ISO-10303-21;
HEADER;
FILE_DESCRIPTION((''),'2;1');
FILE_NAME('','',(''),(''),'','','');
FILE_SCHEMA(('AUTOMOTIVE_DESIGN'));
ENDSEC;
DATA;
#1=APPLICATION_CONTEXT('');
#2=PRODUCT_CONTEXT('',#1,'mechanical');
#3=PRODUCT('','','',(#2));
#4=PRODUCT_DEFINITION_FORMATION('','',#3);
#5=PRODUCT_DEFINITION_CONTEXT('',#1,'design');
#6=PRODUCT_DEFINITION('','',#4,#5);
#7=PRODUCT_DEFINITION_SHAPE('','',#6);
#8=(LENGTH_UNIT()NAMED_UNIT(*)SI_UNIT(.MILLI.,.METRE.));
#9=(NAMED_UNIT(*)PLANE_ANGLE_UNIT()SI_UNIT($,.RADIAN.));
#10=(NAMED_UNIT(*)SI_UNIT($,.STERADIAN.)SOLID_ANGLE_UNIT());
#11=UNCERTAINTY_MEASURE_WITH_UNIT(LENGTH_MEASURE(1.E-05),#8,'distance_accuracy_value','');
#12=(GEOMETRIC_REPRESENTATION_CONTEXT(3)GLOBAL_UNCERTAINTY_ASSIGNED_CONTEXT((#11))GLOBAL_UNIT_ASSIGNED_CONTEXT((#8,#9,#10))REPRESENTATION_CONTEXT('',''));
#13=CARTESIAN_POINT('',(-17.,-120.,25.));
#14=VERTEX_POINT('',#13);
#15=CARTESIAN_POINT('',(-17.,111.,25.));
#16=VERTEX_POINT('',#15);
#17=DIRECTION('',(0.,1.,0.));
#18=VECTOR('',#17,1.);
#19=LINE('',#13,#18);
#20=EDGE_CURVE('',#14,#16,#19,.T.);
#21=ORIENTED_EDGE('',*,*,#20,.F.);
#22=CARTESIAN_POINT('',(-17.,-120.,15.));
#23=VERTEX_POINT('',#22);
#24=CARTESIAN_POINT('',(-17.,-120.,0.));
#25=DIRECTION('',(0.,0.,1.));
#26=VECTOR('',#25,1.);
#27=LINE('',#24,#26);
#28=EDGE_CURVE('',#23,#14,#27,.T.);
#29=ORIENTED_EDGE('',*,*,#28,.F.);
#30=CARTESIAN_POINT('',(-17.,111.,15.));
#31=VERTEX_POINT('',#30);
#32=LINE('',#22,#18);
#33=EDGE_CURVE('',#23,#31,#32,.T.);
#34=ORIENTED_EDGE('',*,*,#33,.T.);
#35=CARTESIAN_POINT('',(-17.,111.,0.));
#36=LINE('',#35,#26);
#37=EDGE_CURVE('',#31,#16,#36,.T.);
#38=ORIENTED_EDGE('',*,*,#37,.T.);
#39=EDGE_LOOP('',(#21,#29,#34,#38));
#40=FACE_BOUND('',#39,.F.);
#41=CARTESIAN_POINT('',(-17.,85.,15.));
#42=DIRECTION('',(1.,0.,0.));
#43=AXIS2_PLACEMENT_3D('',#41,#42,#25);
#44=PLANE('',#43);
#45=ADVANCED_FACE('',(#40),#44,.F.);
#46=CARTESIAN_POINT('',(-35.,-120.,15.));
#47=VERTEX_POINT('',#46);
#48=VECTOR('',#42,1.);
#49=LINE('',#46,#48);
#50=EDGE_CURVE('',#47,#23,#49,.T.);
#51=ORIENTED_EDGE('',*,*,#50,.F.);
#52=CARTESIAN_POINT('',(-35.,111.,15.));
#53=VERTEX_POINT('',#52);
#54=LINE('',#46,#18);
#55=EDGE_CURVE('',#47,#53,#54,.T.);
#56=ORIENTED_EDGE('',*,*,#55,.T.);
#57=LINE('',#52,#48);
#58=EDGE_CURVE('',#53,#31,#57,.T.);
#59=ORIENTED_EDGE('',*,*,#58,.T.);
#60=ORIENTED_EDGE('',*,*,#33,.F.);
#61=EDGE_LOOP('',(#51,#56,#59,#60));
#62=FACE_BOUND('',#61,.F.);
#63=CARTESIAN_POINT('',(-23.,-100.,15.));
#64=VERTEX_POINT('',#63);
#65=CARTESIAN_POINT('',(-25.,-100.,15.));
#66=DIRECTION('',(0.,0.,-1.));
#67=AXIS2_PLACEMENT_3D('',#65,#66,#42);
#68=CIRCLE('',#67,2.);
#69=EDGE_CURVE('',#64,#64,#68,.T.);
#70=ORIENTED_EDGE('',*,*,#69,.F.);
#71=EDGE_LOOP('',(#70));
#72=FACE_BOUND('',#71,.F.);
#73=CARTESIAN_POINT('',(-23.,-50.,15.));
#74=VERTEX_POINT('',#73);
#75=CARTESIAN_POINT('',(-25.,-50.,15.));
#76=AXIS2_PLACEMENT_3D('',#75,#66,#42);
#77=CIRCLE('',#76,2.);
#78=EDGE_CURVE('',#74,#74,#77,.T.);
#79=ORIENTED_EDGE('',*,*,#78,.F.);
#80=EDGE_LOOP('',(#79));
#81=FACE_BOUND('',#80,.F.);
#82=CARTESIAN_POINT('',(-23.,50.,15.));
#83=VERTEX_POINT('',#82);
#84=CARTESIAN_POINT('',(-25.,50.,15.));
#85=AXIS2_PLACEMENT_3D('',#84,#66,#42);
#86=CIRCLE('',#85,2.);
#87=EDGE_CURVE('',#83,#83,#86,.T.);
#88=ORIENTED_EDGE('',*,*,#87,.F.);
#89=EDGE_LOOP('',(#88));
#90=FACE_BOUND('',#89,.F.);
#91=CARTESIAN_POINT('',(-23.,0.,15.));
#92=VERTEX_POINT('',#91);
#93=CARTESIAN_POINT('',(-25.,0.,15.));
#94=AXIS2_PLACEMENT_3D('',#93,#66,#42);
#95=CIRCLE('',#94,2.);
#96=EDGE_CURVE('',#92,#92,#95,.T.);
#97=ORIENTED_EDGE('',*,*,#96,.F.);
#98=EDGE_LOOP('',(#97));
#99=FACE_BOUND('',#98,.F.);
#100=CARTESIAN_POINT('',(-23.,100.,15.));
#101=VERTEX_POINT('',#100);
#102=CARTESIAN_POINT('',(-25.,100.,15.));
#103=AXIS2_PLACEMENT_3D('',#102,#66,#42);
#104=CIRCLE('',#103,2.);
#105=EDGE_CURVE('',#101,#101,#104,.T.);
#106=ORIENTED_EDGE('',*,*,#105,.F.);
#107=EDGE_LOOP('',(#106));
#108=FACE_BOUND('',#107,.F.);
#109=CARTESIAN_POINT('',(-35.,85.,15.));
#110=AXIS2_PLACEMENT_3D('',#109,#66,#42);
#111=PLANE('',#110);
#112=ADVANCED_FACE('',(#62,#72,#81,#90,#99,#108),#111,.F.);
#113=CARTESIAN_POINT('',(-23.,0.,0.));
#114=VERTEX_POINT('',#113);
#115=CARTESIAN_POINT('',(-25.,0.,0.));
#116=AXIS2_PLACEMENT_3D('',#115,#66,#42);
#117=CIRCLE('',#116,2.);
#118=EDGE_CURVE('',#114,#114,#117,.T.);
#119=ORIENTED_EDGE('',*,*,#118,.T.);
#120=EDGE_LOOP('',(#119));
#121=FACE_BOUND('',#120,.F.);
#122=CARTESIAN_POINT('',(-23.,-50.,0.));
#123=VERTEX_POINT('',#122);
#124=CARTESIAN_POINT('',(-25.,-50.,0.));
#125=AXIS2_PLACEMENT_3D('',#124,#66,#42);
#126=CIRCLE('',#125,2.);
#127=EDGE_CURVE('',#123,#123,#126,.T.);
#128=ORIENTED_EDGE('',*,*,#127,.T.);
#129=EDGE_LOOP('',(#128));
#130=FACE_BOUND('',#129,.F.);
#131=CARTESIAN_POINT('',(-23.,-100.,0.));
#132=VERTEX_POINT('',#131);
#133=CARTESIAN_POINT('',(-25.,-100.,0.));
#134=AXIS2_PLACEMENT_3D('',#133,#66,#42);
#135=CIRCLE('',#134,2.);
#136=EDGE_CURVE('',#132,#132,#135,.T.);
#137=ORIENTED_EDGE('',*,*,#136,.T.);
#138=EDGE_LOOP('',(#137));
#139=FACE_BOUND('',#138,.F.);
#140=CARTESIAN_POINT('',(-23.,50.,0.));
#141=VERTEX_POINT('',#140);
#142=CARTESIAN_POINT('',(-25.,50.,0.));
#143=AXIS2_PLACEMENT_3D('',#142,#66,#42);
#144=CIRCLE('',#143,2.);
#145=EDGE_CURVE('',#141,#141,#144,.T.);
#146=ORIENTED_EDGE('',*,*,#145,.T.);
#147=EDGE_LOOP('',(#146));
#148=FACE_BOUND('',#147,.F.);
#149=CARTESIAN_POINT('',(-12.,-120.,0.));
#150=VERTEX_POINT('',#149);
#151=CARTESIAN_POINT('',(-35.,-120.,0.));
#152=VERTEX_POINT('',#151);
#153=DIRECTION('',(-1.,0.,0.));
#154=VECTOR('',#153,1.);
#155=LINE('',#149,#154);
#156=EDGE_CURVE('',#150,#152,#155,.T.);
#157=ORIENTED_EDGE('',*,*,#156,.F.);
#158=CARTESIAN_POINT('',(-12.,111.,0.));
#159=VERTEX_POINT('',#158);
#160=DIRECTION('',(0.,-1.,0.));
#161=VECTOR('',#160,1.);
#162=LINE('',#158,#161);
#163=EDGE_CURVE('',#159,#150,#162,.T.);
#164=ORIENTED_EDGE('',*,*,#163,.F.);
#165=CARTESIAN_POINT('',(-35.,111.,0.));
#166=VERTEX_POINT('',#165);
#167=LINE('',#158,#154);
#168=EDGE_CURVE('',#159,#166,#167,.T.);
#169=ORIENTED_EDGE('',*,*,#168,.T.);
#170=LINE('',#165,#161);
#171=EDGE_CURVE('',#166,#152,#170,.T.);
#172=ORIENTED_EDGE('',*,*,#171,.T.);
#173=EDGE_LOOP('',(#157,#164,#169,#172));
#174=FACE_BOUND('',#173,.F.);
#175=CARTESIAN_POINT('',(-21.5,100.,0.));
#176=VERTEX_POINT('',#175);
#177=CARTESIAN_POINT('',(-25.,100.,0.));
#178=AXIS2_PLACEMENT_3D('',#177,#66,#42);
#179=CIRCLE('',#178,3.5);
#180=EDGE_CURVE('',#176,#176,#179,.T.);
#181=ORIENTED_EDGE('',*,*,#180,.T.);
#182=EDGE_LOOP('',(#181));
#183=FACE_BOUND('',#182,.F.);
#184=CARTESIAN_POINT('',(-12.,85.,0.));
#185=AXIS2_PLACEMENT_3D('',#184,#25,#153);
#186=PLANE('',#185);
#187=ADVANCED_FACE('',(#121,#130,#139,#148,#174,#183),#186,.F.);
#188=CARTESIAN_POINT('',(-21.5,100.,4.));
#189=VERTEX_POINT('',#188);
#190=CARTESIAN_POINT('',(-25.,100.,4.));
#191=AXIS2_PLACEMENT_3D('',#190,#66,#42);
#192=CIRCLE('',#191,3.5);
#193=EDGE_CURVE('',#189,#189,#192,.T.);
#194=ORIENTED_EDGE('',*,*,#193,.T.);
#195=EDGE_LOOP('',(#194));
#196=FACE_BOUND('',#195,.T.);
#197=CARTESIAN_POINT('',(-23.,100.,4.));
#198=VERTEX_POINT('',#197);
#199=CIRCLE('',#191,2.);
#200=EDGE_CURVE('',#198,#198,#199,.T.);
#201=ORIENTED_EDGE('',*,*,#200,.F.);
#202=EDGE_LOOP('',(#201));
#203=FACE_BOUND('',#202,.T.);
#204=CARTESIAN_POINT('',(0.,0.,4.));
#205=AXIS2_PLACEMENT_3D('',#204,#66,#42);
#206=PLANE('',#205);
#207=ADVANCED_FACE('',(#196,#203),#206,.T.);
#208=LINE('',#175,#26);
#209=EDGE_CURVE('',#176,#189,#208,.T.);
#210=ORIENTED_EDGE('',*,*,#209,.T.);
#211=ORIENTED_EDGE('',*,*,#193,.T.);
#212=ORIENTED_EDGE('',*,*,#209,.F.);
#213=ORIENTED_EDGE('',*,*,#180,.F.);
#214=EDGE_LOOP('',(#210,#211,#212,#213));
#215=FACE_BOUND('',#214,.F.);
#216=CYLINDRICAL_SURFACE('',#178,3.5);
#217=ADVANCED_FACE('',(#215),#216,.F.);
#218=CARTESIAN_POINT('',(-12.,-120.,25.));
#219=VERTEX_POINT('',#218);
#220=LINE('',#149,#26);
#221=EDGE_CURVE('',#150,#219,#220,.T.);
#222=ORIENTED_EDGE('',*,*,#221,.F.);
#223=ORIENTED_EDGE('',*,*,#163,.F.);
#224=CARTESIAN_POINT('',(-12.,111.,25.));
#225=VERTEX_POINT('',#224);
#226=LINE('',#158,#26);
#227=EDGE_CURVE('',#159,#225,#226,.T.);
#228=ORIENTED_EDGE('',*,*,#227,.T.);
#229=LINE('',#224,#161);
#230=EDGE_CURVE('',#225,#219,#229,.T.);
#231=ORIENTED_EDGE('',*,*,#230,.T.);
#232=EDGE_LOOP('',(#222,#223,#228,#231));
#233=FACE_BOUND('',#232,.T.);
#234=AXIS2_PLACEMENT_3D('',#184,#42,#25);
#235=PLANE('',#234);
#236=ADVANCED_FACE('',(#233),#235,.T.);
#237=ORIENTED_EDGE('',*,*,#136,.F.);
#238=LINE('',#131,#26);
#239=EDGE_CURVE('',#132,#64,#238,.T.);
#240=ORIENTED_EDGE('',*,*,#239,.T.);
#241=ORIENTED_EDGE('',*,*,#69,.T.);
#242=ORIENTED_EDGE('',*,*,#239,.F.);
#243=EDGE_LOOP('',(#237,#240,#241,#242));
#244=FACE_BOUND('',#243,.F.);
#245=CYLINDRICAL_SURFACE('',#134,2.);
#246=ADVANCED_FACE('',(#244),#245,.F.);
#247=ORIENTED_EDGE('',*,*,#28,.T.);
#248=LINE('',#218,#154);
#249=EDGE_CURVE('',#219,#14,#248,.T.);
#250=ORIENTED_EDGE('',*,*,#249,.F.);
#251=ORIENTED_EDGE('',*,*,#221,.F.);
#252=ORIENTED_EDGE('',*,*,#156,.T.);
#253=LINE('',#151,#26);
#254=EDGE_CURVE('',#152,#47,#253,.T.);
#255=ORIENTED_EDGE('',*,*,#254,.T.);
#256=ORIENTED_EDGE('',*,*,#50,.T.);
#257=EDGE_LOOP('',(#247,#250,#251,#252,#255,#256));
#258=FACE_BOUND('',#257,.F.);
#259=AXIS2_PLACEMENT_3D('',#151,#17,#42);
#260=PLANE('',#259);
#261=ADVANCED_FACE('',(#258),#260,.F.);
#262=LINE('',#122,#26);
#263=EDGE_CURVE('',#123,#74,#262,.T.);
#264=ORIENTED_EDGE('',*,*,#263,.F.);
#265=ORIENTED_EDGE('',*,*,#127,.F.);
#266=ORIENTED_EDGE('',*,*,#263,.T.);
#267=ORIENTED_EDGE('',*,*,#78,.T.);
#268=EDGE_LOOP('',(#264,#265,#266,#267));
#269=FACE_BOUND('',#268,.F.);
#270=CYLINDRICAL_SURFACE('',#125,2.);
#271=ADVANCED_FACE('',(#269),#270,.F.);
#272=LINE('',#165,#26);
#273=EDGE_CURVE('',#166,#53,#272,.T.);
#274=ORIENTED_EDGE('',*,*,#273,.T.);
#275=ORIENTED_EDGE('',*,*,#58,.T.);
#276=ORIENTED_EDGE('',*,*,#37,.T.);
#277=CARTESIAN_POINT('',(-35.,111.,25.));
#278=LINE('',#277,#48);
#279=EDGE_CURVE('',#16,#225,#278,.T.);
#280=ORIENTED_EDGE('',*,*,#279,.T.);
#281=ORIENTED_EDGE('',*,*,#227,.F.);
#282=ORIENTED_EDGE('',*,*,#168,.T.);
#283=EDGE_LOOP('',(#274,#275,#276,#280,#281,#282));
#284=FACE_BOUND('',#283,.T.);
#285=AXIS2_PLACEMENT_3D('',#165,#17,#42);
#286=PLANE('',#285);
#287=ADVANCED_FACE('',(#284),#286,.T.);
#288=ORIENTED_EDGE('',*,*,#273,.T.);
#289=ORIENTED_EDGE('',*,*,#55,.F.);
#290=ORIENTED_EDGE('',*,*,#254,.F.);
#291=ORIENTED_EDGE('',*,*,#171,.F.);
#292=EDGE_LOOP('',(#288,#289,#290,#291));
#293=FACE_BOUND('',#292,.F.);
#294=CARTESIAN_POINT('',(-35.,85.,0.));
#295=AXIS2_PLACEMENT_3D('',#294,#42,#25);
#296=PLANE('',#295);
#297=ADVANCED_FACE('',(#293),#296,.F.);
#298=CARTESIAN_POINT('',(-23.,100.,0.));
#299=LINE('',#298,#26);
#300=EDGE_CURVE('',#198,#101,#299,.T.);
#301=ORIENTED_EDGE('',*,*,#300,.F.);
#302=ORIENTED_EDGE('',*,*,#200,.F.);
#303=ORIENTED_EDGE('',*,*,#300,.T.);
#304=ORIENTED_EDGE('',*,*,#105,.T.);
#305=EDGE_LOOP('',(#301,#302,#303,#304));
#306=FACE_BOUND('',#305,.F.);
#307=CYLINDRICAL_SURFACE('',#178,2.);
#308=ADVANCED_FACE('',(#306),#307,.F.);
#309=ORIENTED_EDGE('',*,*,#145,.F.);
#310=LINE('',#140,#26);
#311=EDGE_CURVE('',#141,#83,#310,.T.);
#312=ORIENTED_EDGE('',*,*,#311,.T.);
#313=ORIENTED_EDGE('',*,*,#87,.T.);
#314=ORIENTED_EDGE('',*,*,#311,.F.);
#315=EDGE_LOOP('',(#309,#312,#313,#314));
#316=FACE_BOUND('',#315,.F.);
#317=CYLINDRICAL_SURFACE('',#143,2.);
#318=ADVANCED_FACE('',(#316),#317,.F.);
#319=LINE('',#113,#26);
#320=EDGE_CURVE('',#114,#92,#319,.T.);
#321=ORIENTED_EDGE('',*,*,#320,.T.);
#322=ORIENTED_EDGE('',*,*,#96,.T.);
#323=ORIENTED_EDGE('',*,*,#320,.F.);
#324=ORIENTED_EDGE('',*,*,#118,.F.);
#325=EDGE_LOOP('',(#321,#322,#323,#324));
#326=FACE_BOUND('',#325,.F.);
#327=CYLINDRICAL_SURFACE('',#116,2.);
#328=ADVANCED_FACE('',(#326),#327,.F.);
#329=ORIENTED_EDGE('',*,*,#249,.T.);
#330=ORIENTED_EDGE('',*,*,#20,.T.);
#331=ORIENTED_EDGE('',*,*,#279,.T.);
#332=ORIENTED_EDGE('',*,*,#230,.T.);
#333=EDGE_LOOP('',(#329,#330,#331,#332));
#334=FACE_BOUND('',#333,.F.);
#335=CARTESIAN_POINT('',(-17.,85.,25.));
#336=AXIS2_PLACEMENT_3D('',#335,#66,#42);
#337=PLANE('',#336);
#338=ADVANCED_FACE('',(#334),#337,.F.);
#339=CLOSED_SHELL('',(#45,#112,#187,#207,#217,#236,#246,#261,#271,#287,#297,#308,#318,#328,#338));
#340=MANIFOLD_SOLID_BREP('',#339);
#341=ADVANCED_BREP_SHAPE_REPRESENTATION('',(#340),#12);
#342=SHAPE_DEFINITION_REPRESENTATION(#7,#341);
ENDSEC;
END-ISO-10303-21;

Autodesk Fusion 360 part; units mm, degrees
sketch "Szkic1" plane through (0, 0, 0) normal (0, 0, 1) x (1, 0, 0)
  line L0 (45, 110) -> (-35, 110)
  line L1 (-35, 110) -> (-35, -120)
  line L2 (-35, -120) -> (-29, -120)
  line L3 (-29, -120) -> (-29, -160)
  line L4 (-29, -160) -> (45, -160)
  circle A0 centre (-15, -150) radius 3.5
  circle A1 centre (-15, -130) radius 3.5
  circle A2 centre (20, -130) radius 3.5
  circle A3 centre (20, -150) radius 3.5
  line L5 (-10, -125) -> (10, -125)
  circle A4 centre (-25, -100) radius 1.75
  line L6 (-10, -149) -> (-10, -125)
  circle A5 centre (-25, -50) radius 1.75
  circle A6 centre (-25, 0) radius 1.75
  circle A7 centre (-25, 50) radius 1.75
  circle A8 centre (-25, 100) radius 1.75
  circle A9 centre (25, 100) radius 1.75
  line L7 (-35, 110) -> (-35, 85)
  line L8 (-35, 85) -> (45, 85)
  line L9 (45, 85) -> (45, 110)
  line L10 (45, 110) -> (-35, 110)
  line L11 (-35, 85) -> (-35, -120)
  line L12 (-35, -120) -> (-17, -120)
  line L13 (-17, -120) -> (-17, 85)
  line L14 (-17, 85) -> (-35, 85)
  line L15 (-17, 85) -> (-12, 85)
  line L16 (-12, 85) -> (-12, -120)
  line L17 (-12, -120) -> (-17, -120)
  line L18 (-17, -120) -> (-17, 85)
  dimension "d1" = 18
extrude "Wyciągnięcie proste1" add sketch "Szkic1" along normal blind 15 contours L1 L2 L8 L11 L12 L13 L14 L18
extrude "Wyciągnięcie proste2" add sketch "Szkic1" along normal blind 25 contours L8 L13 L15 L16 L17 L18
extrude "Wyciągnięcie proste3" add 1 faces at (-21.3333, 85, 5) along direction (0, 1, 0) blind 26
extrude "Wyciągnięcie proste4" cut sketch "Szkic1" along normal blind 38 contours A8
sketch "Szkic2" plane through (0, 0, 0) normal (0, 0, -1) x (1, 0, 0)
  circle A0 centre (-25, -100) radius 1.75
  circle A1 centre (-25, 100) radius 1.75
  circle A2 centre (-25, -50) radius 1.75
  circle A3 centre (-25, 0) radius 1.75
  circle A4 centre (-25, 50) radius 1.75
  line L0 (-12, 120) -> (-35, 120)
  line L1 (-35, 120) -> (-35, -111)
  line L2 (-35, -111) -> (-12, -111)
  line L3 (-12, -111) -> (-12, 120)
  circle A5 centre (-25, -100) radius 3.5
  circle A6 centre (-25, -100) radius 2
  circle A7 centre (-25, -50) radius 2
  circle A8 centre (-25, 0) radius 2
  circle A9 centre (-25, 50) radius 2
  circle A10 centre (-25, 100) radius 2
  dimension "d10" = 7
  dimension "d11" = 4
  dimension "d12" = 4
  dimension "d13" = 4
  dimension "d14" = 4
  dimension "d15" = 4
extrude "Wyciągnięcie proste5" cut sketch "Szkic2" against normal blind 100 contours A6 | A7 | A8 | A9 | A10
extrude "Wyciągnięcie proste6" cut sketch "Szkic2" against normal blind 4 contours A5
